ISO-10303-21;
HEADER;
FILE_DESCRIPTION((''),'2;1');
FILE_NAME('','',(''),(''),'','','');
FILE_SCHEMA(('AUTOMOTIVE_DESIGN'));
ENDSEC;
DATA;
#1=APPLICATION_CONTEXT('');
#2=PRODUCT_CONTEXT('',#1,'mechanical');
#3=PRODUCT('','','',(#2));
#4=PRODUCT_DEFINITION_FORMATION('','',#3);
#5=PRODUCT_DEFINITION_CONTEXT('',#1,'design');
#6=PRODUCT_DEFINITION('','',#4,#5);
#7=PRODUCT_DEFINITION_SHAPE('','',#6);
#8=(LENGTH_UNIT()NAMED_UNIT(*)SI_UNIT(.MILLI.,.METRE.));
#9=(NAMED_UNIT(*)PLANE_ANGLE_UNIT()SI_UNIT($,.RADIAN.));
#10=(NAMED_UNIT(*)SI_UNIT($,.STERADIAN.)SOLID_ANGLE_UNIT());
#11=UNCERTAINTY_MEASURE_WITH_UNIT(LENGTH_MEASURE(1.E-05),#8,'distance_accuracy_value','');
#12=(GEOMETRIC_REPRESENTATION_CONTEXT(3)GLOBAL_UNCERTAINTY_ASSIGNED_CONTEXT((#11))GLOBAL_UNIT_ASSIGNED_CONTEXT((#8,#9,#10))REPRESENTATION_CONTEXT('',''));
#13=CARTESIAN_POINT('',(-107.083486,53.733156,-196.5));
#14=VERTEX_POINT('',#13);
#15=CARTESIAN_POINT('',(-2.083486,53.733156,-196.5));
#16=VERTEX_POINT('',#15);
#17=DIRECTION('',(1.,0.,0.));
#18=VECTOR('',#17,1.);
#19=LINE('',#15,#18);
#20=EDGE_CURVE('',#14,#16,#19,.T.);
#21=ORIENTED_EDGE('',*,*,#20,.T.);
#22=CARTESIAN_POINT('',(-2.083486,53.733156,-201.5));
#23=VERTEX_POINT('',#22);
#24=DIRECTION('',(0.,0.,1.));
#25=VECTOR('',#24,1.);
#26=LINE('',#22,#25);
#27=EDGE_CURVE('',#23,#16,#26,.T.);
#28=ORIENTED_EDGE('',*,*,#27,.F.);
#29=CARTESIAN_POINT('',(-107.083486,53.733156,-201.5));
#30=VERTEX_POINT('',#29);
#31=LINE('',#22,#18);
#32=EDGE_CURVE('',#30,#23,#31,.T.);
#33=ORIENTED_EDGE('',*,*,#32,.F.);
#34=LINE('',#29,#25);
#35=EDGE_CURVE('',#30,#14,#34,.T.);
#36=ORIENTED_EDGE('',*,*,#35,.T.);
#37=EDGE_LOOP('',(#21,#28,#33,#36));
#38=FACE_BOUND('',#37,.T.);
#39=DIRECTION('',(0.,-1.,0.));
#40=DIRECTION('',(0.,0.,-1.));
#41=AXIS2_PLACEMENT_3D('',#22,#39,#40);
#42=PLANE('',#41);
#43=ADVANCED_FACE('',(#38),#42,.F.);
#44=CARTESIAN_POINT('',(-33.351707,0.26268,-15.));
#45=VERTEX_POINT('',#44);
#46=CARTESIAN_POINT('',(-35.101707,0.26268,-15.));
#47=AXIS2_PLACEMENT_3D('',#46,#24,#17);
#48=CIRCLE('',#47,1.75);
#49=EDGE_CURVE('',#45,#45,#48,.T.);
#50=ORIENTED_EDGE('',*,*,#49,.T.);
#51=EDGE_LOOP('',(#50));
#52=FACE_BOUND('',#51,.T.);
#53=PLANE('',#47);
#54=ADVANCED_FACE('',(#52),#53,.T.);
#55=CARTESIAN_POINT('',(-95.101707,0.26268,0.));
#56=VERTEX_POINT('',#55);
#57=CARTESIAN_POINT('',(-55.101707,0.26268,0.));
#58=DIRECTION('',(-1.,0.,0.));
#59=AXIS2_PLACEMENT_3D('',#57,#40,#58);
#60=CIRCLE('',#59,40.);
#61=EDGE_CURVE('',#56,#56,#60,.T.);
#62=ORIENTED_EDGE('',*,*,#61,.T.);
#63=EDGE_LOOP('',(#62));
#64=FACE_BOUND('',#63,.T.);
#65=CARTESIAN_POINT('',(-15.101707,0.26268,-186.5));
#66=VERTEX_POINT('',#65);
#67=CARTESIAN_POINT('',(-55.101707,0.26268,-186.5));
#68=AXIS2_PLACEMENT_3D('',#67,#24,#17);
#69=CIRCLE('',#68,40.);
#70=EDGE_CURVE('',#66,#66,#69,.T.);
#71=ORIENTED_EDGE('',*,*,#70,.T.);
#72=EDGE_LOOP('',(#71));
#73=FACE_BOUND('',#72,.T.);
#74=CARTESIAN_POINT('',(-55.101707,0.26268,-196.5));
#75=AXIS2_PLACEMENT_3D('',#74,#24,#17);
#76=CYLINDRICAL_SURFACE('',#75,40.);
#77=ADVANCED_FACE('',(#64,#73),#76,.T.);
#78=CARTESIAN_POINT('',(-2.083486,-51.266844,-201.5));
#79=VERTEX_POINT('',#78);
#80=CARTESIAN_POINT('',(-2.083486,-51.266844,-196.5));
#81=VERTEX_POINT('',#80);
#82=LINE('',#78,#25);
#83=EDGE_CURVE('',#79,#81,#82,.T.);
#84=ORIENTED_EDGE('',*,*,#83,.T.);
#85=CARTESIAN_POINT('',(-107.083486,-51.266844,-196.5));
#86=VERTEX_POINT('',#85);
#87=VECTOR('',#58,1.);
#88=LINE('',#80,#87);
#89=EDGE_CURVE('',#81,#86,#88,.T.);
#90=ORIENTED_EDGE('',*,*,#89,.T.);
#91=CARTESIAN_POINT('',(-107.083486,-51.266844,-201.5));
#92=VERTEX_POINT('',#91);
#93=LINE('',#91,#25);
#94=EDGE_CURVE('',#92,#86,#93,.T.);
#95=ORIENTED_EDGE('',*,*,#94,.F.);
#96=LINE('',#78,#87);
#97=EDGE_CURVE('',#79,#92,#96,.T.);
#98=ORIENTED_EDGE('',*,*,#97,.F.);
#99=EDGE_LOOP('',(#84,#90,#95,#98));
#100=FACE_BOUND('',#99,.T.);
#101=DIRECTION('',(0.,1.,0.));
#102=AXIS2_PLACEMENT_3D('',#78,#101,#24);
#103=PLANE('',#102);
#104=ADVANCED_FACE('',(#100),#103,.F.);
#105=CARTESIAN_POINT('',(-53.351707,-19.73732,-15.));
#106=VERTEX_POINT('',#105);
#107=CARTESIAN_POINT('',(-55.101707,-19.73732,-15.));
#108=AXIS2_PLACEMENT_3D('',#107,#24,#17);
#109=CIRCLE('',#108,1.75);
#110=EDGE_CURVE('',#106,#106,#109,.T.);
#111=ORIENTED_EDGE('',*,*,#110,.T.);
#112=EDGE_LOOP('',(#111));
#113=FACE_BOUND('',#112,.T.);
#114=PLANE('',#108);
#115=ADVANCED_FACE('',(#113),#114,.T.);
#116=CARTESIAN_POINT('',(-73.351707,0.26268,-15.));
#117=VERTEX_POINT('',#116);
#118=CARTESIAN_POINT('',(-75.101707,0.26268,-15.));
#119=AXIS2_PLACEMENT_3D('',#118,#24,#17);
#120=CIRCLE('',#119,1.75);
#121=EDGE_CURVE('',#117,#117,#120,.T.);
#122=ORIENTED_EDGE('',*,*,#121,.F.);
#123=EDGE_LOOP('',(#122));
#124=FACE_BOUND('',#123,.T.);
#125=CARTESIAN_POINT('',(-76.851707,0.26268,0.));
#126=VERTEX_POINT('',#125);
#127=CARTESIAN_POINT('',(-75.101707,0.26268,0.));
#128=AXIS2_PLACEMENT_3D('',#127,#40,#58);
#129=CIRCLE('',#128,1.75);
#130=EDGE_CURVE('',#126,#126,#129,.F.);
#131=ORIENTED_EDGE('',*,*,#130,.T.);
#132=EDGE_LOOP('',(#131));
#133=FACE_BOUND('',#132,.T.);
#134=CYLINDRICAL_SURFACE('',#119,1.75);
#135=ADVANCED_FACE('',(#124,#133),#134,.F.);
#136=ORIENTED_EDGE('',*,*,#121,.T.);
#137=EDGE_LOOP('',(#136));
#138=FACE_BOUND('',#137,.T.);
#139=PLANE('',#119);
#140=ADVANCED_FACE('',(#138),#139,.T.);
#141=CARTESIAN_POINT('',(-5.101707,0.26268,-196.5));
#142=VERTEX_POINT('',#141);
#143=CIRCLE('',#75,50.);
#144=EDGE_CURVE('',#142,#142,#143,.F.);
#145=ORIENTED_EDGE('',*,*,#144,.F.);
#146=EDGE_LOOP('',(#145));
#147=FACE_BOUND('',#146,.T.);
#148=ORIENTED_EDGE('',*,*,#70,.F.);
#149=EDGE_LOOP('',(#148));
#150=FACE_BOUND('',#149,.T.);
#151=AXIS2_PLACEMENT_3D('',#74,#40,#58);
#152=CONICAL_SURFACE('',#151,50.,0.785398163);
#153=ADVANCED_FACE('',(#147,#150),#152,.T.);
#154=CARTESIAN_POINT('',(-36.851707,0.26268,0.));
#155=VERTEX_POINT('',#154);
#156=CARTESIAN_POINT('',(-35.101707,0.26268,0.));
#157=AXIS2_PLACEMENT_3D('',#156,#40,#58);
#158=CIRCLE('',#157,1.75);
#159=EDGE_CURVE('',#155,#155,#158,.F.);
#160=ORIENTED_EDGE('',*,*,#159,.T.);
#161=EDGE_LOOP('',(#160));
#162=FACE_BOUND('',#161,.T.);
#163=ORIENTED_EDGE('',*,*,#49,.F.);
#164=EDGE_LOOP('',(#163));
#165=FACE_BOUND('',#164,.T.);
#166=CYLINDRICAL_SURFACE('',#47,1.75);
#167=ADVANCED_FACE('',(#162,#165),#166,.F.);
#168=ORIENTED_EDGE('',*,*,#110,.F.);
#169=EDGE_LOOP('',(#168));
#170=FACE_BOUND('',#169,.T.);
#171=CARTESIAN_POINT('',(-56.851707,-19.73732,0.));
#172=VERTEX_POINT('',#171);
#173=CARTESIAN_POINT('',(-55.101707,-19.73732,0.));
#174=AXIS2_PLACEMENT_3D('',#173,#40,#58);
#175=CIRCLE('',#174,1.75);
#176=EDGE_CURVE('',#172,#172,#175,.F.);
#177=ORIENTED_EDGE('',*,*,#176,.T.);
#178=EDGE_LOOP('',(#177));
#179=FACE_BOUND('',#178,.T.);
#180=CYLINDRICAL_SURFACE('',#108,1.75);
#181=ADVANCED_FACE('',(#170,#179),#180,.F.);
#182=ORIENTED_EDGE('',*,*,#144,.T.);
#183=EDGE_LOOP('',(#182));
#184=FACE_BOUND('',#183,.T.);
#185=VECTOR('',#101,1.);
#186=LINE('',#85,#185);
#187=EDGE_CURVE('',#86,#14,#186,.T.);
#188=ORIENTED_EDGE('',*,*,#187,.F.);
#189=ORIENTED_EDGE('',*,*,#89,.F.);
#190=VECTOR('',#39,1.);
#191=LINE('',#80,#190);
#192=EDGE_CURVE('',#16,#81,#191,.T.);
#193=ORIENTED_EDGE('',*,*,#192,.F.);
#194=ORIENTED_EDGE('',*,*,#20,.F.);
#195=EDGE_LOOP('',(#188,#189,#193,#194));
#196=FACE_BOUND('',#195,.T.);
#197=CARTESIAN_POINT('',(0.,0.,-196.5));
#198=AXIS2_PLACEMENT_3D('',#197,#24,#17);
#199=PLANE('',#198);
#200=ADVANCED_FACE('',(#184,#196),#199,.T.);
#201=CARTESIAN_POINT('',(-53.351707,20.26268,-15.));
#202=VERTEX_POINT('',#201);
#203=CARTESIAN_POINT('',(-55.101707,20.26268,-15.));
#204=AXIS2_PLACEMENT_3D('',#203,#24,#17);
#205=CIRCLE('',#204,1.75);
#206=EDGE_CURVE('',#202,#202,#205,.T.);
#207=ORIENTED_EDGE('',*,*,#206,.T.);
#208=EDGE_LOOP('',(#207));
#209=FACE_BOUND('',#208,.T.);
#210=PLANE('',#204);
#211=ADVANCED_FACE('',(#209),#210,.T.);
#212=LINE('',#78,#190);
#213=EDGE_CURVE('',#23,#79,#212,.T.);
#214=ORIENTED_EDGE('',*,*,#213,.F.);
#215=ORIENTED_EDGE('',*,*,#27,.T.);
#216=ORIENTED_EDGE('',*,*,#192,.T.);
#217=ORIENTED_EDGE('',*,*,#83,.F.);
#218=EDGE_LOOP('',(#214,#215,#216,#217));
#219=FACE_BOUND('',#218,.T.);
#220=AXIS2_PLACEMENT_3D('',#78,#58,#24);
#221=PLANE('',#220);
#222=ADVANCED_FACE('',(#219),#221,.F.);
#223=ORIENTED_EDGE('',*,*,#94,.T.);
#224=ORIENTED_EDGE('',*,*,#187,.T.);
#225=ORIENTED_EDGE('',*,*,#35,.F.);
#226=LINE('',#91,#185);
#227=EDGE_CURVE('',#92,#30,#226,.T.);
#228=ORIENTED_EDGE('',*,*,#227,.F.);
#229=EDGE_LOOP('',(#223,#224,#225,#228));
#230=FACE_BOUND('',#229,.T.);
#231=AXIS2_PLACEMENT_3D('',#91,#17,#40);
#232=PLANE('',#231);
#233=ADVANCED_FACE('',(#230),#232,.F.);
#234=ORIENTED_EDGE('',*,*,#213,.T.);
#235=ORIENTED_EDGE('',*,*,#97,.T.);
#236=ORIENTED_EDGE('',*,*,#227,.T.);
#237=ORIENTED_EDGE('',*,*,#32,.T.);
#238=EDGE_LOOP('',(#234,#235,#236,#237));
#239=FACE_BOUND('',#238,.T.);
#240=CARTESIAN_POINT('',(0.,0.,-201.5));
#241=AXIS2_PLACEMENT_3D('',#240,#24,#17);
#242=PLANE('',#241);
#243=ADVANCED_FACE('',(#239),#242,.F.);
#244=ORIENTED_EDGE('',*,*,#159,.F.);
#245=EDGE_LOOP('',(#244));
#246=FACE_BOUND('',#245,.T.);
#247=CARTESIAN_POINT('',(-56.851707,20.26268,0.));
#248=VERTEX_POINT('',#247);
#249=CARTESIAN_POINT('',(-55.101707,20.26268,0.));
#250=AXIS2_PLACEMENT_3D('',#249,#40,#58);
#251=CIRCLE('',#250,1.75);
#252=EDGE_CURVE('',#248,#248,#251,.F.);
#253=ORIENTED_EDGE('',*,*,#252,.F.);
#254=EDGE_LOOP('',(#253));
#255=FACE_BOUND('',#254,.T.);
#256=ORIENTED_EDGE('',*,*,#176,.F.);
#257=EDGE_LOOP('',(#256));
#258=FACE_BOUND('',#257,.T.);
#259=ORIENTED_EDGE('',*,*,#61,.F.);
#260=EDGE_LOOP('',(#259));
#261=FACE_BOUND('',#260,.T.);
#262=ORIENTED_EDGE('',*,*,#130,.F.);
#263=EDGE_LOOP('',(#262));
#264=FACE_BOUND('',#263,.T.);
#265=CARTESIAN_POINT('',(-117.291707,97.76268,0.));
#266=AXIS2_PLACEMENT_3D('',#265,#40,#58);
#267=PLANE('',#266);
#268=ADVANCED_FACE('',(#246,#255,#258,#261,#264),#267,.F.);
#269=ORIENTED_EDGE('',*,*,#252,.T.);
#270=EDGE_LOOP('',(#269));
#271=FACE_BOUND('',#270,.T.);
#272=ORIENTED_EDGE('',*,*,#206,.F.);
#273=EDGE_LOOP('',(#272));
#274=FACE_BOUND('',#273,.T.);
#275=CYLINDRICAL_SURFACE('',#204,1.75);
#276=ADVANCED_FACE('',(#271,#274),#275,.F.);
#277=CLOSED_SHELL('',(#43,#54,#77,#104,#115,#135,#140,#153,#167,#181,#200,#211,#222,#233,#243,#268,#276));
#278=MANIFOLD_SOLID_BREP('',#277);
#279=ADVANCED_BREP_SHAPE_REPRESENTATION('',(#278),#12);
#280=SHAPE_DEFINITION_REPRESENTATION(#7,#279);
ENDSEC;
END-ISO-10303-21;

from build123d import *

# Parameters (mm, degrees)
CROQUIS1_W                  = 248.76
CROQUIS1_H                  = 195
SALIENTE_EXTRUIR1_DEPTH     = 5
CROQUIS2_W                  = 48
CROQUIS2_H                  = 30
CROQUIS2_W_2                = 30
CORTAR_EXTRUIR1_DEPTH       = 2
CROQUIS3_R                  = 2.375
CORTAR_EXTRUIR2_DEPTH       = 10
CROQUIS4_R                  = 40
SALIENTE_EXTRUIR2_DEPTH     = 196.5
CROQUIS5_R                  = 12.5
CORTAR_EXTRUIR3_DEPTH       = 10
CROQUIS12_W                 = 12
CROQUIS12_H                 = 30
SALIENTE_EXTRUIR3_DEPTH     = 4
REDONDEO1_R                 = 10
REDONDEO2_R                 = 10
REDONDEO3_R                 = 10
CORTAR_EXTRUIR5_DEPTH       = 255.266033949
CORTAR_EXTRUIR5_DEPTH_BACK  = 255.266033949
CROQUIS13_R                 = 1.625
CORTAR_EXTRUIR7_DEPTH       = 2
CROQUIS16_R                 = 1.75
CORTAR_EXTRUIR9_DEPTH       = 20
CORTAR_EXTRUIR17_DEPTH      = 307.465597013
CORTAR_EXTRUIR17_DEPTH_BACK = 307.465597013
CROQUIS21_W                 = 105
CROQUIS21_H                 = 105
SALIENTE_EXTRUIR4_DEPTH     = 5
CHAFL_N1_SIZE               = 10


with BuildPart() as part:
    # Croquis1 → Saliente-Extruir1 (new body)
    with BuildSketch(Plane.XY):
        with Locations((7.088293187, 0.26268)):
            Rectangle(CROQUIS1_W, CROQUIS1_H)
    extrude(amount=SALIENTE_EXTRUIR1_DEPTH)

    # Croquis2 → Cortar-Extruir1 (cut)
    with BuildSketch(Plane.XY.offset(5)):
        with Locations((-93.291706813, -82.23732)):
            Rectangle(CROQUIS2_W, CROQUIS2_H)
        with Locations((116.468293187, 82.76268)):
            Rectangle(CROQUIS2_W_2, CROQUIS2_H)
        with Locations((116.468293187, -82.23732)):
            Rectangle(CROQUIS2_W_2, CROQUIS2_H)
        with Locations((-93.291706813, 82.76268)):
            Rectangle(CROQUIS2_W, CROQUIS2_H)
    extrude(amount=-CORTAR_EXTRUIR1_DEPTH, mode=Mode.SUBTRACT)

    # Croquis3 → Cortar-Extruir2 (cut)
    with BuildSketch(Plane.XY.offset(5)):
        with Locations((-93.291706813, 83.76268)):
            Circle(CROQUIS3_R)
        with Locations((-93.291706813, -83.23732)):
            Circle(CROQUIS3_R)
        with Locations((116.468293187, 83.76268)):
            Circle(CROQUIS3_R)
        with Locations((116.468293187, -83.23732)):
            Circle(CROQUIS3_R)
    extrude(amount=-CORTAR_EXTRUIR2_DEPTH, mode=Mode.SUBTRACT)

    # Croquis4 → Saliente-Extruir2 (add)
    with BuildSketch(Plane(origin=(0, 0, 0), x_dir=(-1, 0, 0), z_dir=(0, 0, -1))):
        with Locations(Location((55.101706813, 0.26268, 0), (0, 0, 180))):
            Circle(CROQUIS4_R)
    extrude(amount=SALIENTE_EXTRUIR2_DEPTH)

    # Croquis5 → Cortar-Extruir3 (cut)
    with BuildSketch(Plane(origin=(0, 0, 0), x_dir=(-1, 0, 0), z_dir=(0, 0, -1))):
        with Locations((-76.968293187, 0.26268)):
            Circle(CROQUIS5_R)
    extrude(amount=-CORTAR_EXTRUIR3_DEPTH, mode=Mode.SUBTRACT)

    # Croquis12 → Saliente-Extruir3 (add, symmetric)
    with BuildSketch(Plane(origin=(7.088293187, 0, 0), x_dir=(0, 0, -1), z_dir=(1, 0, 0))):
        with Locations((6, 82.76268)):
            Rectangle(CROQUIS12_W, CROQUIS12_H)
        with Locations((6, -82.23732)):
            Rectangle(CROQUIS12_W, CROQUIS12_H)
    extrude(amount=SALIENTE_EXTRUIR3_DEPTH, both=True)

    # Redondeo1
    redondeo1_edges = [part.edges().sort_by_distance(p)[0] for p in [
        (7.088293187, 67.76268, 0),
        (7.088293187, -67.23732, 0),
    ]]
    fillet(redondeo1_edges, radius=REDONDEO1_R)

    # Redondeo2
    redondeo2_edges = [part.edges().sort_by_distance(p)[0] for p in [
        (7.088293187, 67.76268, -12),
        (7.088293187, -67.23732, -12),
    ]]
    fillet(redondeo2_edges, radius=REDONDEO2_R)

    # Redondeo3
    redondeo3_edges = [part.edges().sort_by_distance(p)[0] for p in [
        (7.088293187, 97.76268, -12),
        (7.088293187, -97.23732, -12),
    ]]
    fillet(redondeo3_edges, radius=REDONDEO3_R)

    # Croquis13 → Cortar-Extruir5 (cut, two sides: drawn at the far end of the back side and taken through both)
    with BuildSketch(Plane(origin=(11.088293187, 0, 0), x_dir=(0, 0, -1), z_dir=(1, 0, 0)).offset(-CORTAR_EXTRUIR5_DEPTH_BACK)):
        with Locations(Location((6, 87.76268, 0), (0, 0, 90))):
            Circle(CROQUIS13_R)
        with Locations(Location((6, 77.76268, 0), (0, 0, 90))):
            Circle(CROQUIS13_R)
        with Locations(Location((6, -77.23732, 0), (0, 0, 90))):
            Circle(CROQUIS13_R)
        with Locations(Location((6, -87.23732, 0), (0, 0, 90))):
            Circle(CROQUIS13_R)
    extrude(amount=CORTAR_EXTRUIR5_DEPTH + CORTAR_EXTRUIR5_DEPTH_BACK, mode=Mode.SUBTRACT)

    # Croquis15 → Cortar-Extruir7 (cut)
    with BuildSketch(Plane.XY.offset(5)):
        Polygon((111.468293187, 67.76268), (131.468293187, 67.76268), (131.468293187, -67.23732), (111.468293187, -67.23732), (111.468293187, -59.48732), (125.218293187, -59.48732), (125.218293187, 60.01268), (111.468293187, 60.01268), align=None)
    extrude(amount=-CORTAR_EXTRUIR7_DEPTH, mode=Mode.SUBTRACT)

    # Croquis16 → Cortar-Extruir9 (cut)
    with BuildSketch(Plane.XY.offset(5)):
        with Locations((-55.101706813, 20.26268)):
            Circle(CROQUIS16_R)
        with Locations((-35.101706813, 0.26268)):
            Circle(CROQUIS16_R)
        with Locations((-55.101706813, -19.73732)):
            Circle(CROQUIS16_R)
        with Locations((-75.101706813, 0.26268)):
            Circle(CROQUIS16_R)
    extrude(amount=-CORTAR_EXTRUIR9_DEPTH, mode=Mode.SUBTRACT)

    # Croquis20 → Cortar-Extruir17 (cut, two sides: drawn at the far end of the back side and taken through both)
    with BuildSketch(Plane.XZ.offset(97.23732).offset(-CORTAR_EXTRUIR17_DEPTH_BACK)):
        Polygon((-117.291706813, 10.531534682), (-117.291706813, 0), (3.088293187, 0), (3.088293187, -12), (11.088293187, -12), (11.088293187, 0), (131.468293187, 0), (131.468293187, 10.531534682), align=None)
    extrude(amount=CORTAR_EXTRUIR17_DEPTH + CORTAR_EXTRUIR17_DEPTH_BACK, mode=Mode.SUBTRACT)

    # Croquis21 → Saliente-Extruir4 (add)
    with BuildSketch(Plane(origin=(0, 0, -196.5), x_dir=(-1, 0, 0), z_dir=(0, 0, -1))):
        with Locations((54.583486428, 1.233156347)):
            Rectangle(CROQUIS21_W, CROQUIS21_H)
    extrude(amount=SALIENTE_EXTRUIR4_DEPTH)

    # Chaflán1
    chafl_n1_edges = [part.edges().sort_by_distance(p)[0] for p in [
        (-95.101706813, 0.26268, -196.5),
    ]]
    chamfer(chafl_n1_edges, length=CHAFL_N1_SIZE)


solid = part.part
